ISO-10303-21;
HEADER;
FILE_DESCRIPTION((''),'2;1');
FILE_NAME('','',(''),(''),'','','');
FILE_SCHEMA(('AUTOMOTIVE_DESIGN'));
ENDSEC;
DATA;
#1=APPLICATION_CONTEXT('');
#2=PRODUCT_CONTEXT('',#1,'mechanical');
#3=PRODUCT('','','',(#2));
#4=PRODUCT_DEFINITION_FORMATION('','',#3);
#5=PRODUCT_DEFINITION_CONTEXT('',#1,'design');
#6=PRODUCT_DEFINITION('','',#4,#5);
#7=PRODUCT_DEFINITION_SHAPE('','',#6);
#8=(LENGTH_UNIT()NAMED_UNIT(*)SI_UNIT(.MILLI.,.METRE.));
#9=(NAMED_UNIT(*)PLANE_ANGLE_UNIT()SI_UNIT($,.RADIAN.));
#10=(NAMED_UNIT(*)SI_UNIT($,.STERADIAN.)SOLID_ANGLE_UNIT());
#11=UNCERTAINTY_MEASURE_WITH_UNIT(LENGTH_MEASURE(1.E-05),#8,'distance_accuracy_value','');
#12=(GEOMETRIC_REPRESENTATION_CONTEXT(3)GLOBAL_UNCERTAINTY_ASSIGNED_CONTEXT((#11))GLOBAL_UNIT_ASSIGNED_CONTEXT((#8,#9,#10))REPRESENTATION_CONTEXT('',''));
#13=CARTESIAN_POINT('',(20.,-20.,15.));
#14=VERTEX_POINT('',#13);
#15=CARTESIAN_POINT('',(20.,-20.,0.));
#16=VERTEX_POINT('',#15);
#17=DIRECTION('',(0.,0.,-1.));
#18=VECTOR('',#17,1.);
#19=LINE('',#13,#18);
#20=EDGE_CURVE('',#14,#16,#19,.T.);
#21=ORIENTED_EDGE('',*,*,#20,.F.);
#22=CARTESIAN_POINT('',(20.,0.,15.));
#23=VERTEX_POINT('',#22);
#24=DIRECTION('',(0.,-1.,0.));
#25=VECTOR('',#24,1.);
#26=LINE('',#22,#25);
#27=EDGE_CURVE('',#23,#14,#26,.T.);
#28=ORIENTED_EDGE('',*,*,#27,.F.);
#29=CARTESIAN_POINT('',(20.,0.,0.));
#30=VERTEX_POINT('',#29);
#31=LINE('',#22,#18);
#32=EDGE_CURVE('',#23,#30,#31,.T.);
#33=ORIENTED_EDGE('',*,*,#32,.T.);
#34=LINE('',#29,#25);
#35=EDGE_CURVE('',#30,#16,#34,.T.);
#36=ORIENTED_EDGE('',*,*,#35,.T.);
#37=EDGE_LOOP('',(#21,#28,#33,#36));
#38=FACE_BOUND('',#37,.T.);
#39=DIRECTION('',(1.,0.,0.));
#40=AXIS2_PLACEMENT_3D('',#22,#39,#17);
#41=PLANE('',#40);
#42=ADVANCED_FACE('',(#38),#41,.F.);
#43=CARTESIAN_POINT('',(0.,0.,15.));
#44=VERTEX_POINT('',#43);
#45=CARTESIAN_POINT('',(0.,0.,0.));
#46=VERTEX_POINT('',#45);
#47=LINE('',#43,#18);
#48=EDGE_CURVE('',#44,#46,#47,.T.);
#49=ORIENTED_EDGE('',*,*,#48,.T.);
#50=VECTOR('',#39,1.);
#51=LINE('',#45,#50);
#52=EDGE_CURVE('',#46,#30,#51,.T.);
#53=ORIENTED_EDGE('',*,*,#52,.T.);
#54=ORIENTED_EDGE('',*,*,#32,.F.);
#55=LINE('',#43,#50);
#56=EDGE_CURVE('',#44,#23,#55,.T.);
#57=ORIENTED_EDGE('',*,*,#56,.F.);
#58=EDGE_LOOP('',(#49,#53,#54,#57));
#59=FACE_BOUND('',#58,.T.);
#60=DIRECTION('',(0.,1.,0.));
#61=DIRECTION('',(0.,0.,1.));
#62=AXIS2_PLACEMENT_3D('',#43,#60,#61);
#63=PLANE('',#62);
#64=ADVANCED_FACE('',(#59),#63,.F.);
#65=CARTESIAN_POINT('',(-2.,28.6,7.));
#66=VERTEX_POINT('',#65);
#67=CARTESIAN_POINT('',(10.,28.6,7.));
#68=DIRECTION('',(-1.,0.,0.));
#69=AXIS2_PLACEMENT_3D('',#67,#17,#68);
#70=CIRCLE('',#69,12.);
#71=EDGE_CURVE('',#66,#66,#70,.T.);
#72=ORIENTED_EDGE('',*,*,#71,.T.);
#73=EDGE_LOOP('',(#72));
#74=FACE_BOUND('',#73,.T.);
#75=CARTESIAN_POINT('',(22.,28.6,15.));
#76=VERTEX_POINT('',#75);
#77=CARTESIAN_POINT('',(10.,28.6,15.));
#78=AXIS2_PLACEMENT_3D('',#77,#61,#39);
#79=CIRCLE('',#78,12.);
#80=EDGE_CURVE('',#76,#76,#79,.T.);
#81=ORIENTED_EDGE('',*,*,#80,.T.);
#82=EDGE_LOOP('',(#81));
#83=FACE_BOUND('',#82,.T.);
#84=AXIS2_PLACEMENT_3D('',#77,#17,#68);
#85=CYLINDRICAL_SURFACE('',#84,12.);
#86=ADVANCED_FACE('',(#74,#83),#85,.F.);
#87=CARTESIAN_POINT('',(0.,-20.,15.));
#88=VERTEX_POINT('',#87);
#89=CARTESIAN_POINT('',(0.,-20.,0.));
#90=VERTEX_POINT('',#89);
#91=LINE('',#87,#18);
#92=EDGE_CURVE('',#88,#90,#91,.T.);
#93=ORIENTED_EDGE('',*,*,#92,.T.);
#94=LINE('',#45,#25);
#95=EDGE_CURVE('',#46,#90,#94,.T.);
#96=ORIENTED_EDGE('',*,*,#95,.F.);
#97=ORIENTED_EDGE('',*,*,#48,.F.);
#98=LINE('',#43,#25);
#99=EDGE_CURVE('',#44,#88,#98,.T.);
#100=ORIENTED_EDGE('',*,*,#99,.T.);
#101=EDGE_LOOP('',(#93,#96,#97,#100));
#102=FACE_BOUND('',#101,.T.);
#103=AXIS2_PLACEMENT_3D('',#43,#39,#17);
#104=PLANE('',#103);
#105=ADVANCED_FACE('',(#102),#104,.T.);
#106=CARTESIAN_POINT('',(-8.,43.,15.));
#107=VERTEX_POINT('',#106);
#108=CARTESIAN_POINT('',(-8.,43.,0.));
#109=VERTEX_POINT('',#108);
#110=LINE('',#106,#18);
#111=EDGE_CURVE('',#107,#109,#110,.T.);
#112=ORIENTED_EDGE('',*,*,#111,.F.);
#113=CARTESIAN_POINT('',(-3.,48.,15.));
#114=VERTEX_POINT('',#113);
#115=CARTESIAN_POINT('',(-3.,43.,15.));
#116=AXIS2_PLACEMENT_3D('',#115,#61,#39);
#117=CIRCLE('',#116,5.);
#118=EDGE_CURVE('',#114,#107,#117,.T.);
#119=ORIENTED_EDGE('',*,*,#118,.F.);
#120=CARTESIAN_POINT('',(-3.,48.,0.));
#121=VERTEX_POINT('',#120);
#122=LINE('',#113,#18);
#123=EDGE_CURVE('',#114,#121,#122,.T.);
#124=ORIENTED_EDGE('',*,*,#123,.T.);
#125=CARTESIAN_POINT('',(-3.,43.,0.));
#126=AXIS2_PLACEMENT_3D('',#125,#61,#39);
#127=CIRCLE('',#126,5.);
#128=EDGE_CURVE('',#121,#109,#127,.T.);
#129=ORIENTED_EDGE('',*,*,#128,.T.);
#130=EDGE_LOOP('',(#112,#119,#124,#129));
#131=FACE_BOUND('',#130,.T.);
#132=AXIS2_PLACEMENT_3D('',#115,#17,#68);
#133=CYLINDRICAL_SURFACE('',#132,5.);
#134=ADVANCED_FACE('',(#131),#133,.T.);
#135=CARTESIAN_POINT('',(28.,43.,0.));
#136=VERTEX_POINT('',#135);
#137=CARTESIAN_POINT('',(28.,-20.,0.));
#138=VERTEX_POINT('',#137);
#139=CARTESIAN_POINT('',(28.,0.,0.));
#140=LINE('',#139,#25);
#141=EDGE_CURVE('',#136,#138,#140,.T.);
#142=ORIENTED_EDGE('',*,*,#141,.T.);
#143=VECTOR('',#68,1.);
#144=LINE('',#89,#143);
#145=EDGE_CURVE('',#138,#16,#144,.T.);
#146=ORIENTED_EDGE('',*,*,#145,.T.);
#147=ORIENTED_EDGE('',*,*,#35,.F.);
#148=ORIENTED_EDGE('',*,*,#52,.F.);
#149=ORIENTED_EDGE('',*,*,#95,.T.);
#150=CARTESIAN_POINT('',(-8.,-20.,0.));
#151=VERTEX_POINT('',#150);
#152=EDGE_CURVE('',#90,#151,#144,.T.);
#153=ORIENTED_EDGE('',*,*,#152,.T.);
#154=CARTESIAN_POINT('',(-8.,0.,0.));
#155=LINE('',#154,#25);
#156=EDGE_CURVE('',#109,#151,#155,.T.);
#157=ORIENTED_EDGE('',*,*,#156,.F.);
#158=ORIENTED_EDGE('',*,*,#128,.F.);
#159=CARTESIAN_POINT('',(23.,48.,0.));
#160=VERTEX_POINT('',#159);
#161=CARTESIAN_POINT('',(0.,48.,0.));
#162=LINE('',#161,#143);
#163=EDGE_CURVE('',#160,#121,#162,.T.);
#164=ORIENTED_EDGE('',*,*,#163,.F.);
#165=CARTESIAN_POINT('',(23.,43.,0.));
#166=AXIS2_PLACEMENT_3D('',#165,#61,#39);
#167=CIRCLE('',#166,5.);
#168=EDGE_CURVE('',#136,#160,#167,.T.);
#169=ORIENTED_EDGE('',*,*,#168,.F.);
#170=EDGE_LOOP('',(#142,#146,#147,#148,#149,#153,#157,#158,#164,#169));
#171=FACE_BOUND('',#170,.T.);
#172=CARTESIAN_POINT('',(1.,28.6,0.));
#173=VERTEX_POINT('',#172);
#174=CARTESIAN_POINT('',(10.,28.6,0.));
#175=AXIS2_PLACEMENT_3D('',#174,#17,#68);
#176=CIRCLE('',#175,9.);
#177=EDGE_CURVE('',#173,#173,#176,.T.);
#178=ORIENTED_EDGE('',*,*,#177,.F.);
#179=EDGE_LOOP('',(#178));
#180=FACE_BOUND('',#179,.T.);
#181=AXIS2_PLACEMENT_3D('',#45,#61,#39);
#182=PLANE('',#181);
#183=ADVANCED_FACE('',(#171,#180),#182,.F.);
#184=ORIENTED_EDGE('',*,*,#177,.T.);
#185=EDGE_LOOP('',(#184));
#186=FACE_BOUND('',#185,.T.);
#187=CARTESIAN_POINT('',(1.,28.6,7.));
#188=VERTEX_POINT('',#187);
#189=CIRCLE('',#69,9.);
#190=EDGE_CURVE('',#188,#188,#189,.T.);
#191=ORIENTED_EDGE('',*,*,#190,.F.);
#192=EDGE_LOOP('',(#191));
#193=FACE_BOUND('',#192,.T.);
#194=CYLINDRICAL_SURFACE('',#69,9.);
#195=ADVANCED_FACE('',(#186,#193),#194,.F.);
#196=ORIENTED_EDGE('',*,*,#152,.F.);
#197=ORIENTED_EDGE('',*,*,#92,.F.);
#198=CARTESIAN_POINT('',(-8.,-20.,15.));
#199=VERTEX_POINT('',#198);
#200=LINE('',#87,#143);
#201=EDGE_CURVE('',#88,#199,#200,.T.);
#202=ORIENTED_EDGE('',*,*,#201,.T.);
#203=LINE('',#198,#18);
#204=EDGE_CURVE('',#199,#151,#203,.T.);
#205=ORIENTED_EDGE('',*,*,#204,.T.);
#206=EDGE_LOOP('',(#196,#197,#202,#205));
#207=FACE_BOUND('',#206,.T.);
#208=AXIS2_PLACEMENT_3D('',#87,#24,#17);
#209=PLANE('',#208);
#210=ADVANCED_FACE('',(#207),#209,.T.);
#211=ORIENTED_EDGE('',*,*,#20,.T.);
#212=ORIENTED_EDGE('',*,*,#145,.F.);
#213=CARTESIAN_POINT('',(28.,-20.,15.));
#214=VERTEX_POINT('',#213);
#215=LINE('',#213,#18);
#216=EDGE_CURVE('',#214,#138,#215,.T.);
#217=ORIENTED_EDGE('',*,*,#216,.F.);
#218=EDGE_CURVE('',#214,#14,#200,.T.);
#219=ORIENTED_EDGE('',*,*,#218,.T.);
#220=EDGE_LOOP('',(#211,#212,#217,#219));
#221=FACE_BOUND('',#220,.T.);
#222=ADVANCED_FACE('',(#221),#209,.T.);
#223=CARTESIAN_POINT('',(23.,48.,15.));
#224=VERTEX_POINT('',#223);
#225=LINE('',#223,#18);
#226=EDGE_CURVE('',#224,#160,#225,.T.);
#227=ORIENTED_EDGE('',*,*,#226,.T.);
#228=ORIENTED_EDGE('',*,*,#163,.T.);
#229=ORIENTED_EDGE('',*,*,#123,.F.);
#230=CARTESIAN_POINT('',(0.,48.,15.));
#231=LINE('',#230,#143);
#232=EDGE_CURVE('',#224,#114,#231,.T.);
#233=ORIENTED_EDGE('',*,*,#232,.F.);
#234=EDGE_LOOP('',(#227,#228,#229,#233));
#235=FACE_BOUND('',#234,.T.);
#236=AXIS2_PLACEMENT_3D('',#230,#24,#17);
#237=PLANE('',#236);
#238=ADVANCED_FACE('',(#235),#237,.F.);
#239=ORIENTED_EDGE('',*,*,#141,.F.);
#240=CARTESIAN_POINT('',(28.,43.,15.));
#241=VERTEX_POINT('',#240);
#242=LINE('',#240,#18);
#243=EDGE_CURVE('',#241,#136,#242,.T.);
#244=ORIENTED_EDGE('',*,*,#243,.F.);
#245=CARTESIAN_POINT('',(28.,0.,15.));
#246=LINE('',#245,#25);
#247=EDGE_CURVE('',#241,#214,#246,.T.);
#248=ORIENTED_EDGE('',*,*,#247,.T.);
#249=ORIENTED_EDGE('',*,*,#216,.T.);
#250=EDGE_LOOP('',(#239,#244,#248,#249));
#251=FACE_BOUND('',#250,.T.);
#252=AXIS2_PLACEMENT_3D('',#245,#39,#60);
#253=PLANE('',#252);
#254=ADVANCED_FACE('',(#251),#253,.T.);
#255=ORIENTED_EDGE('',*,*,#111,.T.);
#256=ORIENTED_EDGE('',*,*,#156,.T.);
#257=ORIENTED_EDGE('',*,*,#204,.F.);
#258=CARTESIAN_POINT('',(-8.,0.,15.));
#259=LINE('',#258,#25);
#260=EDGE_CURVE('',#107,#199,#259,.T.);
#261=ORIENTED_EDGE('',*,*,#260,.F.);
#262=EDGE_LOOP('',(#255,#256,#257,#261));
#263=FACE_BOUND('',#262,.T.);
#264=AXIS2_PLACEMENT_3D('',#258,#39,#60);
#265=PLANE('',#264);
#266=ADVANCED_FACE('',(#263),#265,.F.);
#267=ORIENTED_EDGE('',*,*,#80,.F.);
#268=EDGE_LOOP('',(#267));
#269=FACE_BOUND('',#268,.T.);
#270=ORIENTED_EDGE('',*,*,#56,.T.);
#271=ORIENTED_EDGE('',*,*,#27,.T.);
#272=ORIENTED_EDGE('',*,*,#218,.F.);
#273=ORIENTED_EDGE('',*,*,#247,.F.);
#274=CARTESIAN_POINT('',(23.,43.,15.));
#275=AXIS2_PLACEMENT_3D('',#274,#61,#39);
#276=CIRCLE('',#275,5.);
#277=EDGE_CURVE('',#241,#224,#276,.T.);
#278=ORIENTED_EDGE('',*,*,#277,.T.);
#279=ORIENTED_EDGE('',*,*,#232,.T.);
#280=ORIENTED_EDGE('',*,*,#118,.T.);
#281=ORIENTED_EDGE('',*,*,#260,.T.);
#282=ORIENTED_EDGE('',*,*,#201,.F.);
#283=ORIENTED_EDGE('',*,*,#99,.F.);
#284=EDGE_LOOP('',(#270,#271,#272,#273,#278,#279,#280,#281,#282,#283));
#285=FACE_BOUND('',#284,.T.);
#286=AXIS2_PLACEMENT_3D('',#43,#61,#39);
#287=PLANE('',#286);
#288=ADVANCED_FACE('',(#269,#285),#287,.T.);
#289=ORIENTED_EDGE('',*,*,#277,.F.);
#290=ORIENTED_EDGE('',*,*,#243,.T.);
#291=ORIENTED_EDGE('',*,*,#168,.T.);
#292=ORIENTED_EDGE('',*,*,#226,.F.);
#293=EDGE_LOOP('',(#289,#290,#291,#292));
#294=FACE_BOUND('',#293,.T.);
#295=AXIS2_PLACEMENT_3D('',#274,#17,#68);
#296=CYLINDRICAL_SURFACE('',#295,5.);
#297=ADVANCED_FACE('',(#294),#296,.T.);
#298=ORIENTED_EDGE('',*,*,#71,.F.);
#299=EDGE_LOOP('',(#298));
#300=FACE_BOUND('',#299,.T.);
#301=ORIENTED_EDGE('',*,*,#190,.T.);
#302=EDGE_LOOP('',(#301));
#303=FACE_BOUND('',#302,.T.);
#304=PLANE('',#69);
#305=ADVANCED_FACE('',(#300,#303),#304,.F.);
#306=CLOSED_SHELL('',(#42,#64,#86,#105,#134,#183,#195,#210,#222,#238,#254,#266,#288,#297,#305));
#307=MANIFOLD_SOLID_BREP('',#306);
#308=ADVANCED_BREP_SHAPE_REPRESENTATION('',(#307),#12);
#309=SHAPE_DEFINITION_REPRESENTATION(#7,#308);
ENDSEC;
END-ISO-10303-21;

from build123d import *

# Parameters (mm, degrees)
CROQUIS1_R              = 12
SALIENTE_EXTRUIR1_DEPTH = 15
CROQUIS3_R              = 12
CROQUIS3_R_2            = 9
SALIENTE_EXTRUIR2_DEPTH = 7


with BuildPart() as part:
    # Croquis1 → Saliente-Extruir1 (new body)
    with BuildSketch(Plane.XY):
        with BuildLine():
            Line((0, -20), (0, 0))
            Line((0, 0), (20, 0))
            Line((20, 0), (20, -20))
            Line((20, -20), (28, -20))
            Line((28, -20), (28, 43))
            ThreePointArc((28, 43), (26.535533906, 46.535533906), (23, 48))
            Line((23, 48), (-3, 48))
            ThreePointArc((-3, 48), (-6.535533906, 46.535533906), (-8, 43))
            Line((-8, 43), (-8, -20))
            Line((-8, -20), (0, -20))
        make_face()
        with Locations((10, 28.6)):
            Circle(CROQUIS1_R, mode=Mode.SUBTRACT)
    extrude(amount=SALIENTE_EXTRUIR1_DEPTH)

    # Croquis3 → Saliente-Extruir2 (add)
    with BuildSketch(Plane(origin=(0, 0, 0), x_dir=(-1, 0, 0), z_dir=(0, 0, -1))):
        with Locations((-10, 28.6)):
            Circle(CROQUIS3_R)
        with Locations((-10, 28.6)):
            Circle(CROQUIS3_R_2, mode=Mode.SUBTRACT)
    extrude(amount=-SALIENTE_EXTRUIR2_DEPTH)


solid = part.part
